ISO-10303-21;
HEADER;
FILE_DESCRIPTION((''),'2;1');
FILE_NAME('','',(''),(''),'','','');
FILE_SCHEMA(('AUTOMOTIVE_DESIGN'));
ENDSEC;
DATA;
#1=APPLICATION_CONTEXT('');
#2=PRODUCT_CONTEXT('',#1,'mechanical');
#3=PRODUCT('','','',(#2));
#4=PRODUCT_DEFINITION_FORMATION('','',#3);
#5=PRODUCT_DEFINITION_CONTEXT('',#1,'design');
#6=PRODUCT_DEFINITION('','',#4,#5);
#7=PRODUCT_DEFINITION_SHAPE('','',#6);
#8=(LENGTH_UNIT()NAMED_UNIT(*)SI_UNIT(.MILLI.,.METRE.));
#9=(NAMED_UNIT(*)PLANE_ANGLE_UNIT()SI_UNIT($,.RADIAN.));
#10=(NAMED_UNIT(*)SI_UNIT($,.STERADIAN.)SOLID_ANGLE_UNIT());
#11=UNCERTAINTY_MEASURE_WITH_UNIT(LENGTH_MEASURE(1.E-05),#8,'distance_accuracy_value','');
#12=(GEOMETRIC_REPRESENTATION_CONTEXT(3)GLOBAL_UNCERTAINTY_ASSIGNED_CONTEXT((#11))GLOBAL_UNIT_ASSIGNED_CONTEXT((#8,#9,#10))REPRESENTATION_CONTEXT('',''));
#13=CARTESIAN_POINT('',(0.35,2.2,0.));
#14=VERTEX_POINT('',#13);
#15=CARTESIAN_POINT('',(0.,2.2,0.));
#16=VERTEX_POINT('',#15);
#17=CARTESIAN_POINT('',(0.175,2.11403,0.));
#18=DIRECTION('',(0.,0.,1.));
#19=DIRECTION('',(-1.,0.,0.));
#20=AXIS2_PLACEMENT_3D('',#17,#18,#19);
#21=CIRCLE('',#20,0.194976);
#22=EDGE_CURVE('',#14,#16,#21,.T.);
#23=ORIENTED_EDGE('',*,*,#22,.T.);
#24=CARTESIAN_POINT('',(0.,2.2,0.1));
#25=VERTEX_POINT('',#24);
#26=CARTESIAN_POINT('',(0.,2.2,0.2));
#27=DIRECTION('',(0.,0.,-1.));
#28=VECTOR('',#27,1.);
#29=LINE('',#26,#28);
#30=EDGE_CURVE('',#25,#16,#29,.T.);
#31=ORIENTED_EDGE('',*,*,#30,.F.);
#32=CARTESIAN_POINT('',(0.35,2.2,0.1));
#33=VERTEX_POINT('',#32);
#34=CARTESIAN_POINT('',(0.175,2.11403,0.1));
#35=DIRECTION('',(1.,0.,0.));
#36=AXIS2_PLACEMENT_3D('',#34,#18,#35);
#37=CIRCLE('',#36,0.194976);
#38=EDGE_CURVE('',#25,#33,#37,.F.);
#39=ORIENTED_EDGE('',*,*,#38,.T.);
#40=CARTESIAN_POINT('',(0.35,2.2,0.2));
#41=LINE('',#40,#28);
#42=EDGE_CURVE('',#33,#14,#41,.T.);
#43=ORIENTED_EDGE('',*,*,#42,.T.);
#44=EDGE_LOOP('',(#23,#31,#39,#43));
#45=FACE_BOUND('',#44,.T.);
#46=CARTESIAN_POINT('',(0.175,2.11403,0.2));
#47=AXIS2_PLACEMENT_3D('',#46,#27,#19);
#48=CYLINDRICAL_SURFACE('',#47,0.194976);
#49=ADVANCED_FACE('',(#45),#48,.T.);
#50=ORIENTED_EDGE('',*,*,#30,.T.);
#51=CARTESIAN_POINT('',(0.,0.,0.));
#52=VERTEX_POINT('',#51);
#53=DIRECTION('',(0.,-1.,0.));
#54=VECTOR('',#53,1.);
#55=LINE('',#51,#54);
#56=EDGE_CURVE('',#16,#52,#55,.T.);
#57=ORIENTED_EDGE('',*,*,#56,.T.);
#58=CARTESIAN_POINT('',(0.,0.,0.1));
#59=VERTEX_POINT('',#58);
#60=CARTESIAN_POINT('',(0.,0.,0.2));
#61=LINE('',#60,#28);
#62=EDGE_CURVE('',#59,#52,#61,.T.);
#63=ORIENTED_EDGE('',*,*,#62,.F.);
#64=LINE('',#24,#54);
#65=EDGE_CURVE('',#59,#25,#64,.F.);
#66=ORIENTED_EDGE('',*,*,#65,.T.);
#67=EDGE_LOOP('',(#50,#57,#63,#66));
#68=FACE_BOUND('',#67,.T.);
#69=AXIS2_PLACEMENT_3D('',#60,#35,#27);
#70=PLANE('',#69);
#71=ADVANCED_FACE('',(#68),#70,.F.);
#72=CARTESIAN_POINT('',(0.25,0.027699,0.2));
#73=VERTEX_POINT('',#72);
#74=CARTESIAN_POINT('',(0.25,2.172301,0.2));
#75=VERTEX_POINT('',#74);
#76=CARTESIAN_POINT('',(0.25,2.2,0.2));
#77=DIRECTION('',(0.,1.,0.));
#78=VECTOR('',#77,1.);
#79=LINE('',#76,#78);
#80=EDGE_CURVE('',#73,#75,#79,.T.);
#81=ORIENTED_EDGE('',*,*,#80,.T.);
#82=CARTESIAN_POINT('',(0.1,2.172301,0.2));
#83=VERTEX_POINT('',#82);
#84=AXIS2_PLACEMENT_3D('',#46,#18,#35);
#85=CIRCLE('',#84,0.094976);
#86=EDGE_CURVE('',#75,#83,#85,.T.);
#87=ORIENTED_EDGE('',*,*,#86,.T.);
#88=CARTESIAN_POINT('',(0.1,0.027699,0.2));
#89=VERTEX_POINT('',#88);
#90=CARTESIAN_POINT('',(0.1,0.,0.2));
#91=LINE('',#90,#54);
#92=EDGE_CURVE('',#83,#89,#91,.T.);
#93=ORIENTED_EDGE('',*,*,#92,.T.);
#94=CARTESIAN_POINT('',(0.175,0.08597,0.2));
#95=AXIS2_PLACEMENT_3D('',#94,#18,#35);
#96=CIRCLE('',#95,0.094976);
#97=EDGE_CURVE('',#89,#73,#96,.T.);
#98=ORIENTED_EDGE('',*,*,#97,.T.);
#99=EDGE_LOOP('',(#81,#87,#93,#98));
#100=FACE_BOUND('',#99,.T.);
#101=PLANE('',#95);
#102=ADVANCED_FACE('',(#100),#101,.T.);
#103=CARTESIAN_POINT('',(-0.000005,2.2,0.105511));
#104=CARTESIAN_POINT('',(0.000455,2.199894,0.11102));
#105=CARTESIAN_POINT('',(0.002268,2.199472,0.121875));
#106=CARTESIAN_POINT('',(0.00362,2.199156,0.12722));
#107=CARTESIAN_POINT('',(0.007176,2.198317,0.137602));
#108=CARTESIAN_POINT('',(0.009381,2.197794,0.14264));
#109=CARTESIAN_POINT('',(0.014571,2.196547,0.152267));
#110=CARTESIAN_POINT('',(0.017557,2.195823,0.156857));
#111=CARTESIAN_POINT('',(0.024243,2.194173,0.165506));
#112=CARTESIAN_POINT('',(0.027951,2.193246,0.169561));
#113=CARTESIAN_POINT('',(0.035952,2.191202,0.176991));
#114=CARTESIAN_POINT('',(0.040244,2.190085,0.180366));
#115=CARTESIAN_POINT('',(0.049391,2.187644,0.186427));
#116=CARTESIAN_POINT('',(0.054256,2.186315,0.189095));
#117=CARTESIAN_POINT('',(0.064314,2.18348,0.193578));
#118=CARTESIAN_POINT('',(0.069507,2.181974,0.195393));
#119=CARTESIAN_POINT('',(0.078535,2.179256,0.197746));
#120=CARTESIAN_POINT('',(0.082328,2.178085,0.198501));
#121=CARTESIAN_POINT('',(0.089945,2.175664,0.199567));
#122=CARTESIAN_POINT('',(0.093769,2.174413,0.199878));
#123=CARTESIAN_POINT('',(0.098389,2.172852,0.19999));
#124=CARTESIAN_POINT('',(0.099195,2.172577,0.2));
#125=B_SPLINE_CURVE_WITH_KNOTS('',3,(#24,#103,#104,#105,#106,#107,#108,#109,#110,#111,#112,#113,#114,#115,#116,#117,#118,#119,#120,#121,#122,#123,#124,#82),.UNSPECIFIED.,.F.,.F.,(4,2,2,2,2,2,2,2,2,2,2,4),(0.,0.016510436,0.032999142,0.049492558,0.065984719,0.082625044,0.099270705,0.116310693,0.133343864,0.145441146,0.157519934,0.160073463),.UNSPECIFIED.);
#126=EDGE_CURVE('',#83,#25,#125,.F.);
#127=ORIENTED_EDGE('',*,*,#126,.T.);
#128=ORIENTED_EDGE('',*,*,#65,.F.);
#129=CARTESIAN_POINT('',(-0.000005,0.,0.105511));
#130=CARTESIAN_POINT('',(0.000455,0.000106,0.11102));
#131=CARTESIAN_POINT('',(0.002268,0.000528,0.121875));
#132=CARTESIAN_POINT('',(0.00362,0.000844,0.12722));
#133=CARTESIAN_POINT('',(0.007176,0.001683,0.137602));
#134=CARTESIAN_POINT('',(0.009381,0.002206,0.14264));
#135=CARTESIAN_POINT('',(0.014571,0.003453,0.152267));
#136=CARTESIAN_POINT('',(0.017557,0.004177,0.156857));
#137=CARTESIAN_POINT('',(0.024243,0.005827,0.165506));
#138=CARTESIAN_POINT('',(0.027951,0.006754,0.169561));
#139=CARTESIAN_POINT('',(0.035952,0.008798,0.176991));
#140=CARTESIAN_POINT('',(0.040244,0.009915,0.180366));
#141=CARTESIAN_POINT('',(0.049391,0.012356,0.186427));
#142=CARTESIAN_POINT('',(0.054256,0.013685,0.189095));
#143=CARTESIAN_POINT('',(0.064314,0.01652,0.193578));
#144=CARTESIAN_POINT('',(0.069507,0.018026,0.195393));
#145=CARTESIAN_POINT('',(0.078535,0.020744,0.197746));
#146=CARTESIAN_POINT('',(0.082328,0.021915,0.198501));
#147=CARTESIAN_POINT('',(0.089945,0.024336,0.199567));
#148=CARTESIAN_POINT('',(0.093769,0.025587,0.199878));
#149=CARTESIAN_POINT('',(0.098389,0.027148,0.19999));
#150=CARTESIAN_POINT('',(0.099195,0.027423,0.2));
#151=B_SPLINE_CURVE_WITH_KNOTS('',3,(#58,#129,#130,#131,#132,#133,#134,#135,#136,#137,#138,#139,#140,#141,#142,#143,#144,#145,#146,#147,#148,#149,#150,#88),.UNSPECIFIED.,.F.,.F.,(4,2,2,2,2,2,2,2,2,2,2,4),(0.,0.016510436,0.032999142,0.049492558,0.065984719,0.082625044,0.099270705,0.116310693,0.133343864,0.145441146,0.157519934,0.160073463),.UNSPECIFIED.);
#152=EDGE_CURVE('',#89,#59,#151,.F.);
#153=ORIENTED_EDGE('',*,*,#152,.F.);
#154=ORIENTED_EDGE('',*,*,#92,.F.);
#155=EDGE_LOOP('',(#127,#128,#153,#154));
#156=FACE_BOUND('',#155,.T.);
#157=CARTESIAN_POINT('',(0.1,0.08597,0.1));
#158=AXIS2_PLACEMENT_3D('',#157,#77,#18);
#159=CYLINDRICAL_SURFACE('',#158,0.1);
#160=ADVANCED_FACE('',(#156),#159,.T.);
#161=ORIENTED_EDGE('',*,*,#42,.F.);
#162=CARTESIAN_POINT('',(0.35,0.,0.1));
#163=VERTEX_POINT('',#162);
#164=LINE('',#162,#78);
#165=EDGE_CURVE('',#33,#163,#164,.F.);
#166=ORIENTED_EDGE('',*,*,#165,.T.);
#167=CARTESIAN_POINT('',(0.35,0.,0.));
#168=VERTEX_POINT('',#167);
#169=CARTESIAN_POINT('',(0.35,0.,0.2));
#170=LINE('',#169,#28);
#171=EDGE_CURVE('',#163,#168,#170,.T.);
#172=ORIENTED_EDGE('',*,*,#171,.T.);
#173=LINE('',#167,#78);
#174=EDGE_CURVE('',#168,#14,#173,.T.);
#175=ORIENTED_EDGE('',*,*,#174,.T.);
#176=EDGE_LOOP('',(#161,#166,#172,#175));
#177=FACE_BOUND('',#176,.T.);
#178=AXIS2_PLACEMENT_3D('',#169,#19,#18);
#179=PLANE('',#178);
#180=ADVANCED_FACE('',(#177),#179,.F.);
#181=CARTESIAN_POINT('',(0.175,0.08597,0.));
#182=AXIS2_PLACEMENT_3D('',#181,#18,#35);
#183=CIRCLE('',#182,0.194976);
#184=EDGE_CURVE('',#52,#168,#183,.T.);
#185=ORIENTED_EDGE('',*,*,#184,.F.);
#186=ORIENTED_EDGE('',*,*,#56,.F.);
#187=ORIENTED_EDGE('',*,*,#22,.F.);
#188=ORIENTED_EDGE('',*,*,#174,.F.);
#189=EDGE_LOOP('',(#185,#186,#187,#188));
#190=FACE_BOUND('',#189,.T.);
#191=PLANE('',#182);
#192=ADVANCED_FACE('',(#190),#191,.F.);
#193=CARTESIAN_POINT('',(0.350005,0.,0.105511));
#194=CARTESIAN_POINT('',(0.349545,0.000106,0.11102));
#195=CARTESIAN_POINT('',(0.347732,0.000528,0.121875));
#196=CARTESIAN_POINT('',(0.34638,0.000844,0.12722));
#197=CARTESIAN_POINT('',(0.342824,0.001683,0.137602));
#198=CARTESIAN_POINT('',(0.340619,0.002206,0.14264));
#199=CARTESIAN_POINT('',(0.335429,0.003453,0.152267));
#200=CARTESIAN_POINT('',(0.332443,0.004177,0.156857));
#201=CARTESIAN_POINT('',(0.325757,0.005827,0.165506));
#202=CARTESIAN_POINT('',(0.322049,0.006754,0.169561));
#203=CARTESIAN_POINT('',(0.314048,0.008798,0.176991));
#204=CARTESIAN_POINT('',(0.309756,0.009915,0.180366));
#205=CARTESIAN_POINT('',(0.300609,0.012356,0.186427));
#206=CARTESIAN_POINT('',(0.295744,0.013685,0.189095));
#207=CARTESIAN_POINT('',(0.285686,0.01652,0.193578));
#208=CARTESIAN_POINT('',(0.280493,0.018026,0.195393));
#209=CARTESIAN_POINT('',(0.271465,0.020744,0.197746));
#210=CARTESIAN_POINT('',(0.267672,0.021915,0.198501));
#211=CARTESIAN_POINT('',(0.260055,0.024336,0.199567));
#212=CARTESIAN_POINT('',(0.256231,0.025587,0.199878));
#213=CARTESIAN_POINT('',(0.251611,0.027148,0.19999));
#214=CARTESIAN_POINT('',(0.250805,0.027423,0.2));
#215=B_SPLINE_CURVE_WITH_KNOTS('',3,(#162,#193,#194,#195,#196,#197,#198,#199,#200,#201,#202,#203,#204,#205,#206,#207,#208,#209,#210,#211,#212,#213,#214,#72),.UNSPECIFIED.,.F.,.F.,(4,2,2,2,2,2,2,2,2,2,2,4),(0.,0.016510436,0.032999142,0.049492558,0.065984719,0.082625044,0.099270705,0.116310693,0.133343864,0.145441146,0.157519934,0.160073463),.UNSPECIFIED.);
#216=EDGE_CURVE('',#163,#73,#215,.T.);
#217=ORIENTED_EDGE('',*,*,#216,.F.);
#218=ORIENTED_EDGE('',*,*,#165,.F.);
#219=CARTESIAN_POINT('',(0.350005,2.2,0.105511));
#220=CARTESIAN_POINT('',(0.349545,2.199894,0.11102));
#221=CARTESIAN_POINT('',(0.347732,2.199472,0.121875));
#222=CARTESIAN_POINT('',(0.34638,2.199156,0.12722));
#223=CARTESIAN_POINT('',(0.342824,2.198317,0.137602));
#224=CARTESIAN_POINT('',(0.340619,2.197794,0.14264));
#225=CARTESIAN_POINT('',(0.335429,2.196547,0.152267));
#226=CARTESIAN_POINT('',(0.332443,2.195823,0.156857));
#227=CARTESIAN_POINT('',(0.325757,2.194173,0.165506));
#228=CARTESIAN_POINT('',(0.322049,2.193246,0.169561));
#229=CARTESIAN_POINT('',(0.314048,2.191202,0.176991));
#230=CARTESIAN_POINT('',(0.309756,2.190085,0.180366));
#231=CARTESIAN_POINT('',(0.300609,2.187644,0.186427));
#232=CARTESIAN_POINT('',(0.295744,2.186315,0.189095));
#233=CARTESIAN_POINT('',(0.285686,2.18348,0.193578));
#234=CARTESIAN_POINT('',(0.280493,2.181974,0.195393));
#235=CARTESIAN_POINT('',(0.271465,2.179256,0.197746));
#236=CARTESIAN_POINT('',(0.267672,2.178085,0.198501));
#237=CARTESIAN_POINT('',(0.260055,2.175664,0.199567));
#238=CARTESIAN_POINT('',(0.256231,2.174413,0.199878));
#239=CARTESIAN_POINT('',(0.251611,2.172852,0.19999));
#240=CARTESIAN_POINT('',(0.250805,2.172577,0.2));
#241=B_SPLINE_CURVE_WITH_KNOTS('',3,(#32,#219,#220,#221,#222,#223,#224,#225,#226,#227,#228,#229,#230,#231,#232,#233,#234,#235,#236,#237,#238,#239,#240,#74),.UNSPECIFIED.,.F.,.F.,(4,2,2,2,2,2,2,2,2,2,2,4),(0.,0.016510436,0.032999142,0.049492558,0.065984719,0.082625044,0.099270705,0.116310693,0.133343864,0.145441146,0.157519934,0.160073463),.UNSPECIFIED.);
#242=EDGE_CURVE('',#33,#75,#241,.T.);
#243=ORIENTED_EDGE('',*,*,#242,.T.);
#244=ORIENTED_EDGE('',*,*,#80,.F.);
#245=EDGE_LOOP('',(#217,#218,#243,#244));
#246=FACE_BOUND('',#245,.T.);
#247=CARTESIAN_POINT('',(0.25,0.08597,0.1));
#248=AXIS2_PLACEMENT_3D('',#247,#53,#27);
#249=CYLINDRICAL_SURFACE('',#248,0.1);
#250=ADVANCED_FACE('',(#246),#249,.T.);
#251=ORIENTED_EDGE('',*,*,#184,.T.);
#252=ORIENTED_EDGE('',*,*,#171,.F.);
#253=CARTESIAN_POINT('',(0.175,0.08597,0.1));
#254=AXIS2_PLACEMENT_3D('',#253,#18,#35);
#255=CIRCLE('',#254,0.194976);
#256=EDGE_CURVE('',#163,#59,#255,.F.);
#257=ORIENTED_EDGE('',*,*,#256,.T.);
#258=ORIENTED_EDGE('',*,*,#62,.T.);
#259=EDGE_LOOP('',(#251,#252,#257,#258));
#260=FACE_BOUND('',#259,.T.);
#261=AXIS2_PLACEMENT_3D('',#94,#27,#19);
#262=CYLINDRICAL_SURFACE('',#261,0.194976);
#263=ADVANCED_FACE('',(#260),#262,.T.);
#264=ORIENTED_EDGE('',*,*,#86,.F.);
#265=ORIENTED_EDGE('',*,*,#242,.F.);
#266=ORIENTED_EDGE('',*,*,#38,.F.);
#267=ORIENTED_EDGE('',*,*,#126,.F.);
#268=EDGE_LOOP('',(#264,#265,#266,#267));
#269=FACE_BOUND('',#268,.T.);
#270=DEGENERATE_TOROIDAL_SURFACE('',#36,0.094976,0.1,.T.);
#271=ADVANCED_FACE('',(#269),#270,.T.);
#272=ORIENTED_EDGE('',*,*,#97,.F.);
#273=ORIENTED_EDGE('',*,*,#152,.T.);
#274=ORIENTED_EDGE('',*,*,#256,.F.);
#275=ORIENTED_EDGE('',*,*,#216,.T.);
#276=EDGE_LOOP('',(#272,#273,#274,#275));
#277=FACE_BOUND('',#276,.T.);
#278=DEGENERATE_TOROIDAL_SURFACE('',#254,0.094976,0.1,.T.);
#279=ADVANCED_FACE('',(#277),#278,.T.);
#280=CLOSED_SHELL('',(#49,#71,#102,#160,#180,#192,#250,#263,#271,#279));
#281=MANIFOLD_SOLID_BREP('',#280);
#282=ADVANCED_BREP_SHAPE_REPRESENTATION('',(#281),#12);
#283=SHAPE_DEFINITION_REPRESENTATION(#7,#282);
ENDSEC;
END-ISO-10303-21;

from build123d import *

# Parameters (mm, degrees)
BOSS_EXTRU_1_DEPTH = 0.2
CONG_1_R           = 0.1


with BuildPart() as part:
    # Esquisse1 → Boss.-Extru.1 (new body)
    with BuildSketch(Plane.XY):
        with BuildLine():
            Line((0, 0), (0, 2.2))
            ThreePointArc((0, 2.2), (0.175, 2.309006611), (0.35, 2.2))
            Line((0.35, 2.2), (0.35, 0))
            ThreePointArc((0.35, 0), (0.175, -0.109006611), (0, 0))
        make_face()
    extrude(amount=BOSS_EXTRU_1_DEPTH)

    # Congé1
    cong_1_edges = [part.edges().sort_by_distance(p)[0] for p in [
        (0.175, 2.309006611, 0.2),
        (0, 1.1, 0.2),
        (0.175, -0.109006611, 0.2),
        (0.35, 1.1, 0.2),
    ]]
    fillet(cong_1_edges, radius=CONG_1_R)


solid = part.part
